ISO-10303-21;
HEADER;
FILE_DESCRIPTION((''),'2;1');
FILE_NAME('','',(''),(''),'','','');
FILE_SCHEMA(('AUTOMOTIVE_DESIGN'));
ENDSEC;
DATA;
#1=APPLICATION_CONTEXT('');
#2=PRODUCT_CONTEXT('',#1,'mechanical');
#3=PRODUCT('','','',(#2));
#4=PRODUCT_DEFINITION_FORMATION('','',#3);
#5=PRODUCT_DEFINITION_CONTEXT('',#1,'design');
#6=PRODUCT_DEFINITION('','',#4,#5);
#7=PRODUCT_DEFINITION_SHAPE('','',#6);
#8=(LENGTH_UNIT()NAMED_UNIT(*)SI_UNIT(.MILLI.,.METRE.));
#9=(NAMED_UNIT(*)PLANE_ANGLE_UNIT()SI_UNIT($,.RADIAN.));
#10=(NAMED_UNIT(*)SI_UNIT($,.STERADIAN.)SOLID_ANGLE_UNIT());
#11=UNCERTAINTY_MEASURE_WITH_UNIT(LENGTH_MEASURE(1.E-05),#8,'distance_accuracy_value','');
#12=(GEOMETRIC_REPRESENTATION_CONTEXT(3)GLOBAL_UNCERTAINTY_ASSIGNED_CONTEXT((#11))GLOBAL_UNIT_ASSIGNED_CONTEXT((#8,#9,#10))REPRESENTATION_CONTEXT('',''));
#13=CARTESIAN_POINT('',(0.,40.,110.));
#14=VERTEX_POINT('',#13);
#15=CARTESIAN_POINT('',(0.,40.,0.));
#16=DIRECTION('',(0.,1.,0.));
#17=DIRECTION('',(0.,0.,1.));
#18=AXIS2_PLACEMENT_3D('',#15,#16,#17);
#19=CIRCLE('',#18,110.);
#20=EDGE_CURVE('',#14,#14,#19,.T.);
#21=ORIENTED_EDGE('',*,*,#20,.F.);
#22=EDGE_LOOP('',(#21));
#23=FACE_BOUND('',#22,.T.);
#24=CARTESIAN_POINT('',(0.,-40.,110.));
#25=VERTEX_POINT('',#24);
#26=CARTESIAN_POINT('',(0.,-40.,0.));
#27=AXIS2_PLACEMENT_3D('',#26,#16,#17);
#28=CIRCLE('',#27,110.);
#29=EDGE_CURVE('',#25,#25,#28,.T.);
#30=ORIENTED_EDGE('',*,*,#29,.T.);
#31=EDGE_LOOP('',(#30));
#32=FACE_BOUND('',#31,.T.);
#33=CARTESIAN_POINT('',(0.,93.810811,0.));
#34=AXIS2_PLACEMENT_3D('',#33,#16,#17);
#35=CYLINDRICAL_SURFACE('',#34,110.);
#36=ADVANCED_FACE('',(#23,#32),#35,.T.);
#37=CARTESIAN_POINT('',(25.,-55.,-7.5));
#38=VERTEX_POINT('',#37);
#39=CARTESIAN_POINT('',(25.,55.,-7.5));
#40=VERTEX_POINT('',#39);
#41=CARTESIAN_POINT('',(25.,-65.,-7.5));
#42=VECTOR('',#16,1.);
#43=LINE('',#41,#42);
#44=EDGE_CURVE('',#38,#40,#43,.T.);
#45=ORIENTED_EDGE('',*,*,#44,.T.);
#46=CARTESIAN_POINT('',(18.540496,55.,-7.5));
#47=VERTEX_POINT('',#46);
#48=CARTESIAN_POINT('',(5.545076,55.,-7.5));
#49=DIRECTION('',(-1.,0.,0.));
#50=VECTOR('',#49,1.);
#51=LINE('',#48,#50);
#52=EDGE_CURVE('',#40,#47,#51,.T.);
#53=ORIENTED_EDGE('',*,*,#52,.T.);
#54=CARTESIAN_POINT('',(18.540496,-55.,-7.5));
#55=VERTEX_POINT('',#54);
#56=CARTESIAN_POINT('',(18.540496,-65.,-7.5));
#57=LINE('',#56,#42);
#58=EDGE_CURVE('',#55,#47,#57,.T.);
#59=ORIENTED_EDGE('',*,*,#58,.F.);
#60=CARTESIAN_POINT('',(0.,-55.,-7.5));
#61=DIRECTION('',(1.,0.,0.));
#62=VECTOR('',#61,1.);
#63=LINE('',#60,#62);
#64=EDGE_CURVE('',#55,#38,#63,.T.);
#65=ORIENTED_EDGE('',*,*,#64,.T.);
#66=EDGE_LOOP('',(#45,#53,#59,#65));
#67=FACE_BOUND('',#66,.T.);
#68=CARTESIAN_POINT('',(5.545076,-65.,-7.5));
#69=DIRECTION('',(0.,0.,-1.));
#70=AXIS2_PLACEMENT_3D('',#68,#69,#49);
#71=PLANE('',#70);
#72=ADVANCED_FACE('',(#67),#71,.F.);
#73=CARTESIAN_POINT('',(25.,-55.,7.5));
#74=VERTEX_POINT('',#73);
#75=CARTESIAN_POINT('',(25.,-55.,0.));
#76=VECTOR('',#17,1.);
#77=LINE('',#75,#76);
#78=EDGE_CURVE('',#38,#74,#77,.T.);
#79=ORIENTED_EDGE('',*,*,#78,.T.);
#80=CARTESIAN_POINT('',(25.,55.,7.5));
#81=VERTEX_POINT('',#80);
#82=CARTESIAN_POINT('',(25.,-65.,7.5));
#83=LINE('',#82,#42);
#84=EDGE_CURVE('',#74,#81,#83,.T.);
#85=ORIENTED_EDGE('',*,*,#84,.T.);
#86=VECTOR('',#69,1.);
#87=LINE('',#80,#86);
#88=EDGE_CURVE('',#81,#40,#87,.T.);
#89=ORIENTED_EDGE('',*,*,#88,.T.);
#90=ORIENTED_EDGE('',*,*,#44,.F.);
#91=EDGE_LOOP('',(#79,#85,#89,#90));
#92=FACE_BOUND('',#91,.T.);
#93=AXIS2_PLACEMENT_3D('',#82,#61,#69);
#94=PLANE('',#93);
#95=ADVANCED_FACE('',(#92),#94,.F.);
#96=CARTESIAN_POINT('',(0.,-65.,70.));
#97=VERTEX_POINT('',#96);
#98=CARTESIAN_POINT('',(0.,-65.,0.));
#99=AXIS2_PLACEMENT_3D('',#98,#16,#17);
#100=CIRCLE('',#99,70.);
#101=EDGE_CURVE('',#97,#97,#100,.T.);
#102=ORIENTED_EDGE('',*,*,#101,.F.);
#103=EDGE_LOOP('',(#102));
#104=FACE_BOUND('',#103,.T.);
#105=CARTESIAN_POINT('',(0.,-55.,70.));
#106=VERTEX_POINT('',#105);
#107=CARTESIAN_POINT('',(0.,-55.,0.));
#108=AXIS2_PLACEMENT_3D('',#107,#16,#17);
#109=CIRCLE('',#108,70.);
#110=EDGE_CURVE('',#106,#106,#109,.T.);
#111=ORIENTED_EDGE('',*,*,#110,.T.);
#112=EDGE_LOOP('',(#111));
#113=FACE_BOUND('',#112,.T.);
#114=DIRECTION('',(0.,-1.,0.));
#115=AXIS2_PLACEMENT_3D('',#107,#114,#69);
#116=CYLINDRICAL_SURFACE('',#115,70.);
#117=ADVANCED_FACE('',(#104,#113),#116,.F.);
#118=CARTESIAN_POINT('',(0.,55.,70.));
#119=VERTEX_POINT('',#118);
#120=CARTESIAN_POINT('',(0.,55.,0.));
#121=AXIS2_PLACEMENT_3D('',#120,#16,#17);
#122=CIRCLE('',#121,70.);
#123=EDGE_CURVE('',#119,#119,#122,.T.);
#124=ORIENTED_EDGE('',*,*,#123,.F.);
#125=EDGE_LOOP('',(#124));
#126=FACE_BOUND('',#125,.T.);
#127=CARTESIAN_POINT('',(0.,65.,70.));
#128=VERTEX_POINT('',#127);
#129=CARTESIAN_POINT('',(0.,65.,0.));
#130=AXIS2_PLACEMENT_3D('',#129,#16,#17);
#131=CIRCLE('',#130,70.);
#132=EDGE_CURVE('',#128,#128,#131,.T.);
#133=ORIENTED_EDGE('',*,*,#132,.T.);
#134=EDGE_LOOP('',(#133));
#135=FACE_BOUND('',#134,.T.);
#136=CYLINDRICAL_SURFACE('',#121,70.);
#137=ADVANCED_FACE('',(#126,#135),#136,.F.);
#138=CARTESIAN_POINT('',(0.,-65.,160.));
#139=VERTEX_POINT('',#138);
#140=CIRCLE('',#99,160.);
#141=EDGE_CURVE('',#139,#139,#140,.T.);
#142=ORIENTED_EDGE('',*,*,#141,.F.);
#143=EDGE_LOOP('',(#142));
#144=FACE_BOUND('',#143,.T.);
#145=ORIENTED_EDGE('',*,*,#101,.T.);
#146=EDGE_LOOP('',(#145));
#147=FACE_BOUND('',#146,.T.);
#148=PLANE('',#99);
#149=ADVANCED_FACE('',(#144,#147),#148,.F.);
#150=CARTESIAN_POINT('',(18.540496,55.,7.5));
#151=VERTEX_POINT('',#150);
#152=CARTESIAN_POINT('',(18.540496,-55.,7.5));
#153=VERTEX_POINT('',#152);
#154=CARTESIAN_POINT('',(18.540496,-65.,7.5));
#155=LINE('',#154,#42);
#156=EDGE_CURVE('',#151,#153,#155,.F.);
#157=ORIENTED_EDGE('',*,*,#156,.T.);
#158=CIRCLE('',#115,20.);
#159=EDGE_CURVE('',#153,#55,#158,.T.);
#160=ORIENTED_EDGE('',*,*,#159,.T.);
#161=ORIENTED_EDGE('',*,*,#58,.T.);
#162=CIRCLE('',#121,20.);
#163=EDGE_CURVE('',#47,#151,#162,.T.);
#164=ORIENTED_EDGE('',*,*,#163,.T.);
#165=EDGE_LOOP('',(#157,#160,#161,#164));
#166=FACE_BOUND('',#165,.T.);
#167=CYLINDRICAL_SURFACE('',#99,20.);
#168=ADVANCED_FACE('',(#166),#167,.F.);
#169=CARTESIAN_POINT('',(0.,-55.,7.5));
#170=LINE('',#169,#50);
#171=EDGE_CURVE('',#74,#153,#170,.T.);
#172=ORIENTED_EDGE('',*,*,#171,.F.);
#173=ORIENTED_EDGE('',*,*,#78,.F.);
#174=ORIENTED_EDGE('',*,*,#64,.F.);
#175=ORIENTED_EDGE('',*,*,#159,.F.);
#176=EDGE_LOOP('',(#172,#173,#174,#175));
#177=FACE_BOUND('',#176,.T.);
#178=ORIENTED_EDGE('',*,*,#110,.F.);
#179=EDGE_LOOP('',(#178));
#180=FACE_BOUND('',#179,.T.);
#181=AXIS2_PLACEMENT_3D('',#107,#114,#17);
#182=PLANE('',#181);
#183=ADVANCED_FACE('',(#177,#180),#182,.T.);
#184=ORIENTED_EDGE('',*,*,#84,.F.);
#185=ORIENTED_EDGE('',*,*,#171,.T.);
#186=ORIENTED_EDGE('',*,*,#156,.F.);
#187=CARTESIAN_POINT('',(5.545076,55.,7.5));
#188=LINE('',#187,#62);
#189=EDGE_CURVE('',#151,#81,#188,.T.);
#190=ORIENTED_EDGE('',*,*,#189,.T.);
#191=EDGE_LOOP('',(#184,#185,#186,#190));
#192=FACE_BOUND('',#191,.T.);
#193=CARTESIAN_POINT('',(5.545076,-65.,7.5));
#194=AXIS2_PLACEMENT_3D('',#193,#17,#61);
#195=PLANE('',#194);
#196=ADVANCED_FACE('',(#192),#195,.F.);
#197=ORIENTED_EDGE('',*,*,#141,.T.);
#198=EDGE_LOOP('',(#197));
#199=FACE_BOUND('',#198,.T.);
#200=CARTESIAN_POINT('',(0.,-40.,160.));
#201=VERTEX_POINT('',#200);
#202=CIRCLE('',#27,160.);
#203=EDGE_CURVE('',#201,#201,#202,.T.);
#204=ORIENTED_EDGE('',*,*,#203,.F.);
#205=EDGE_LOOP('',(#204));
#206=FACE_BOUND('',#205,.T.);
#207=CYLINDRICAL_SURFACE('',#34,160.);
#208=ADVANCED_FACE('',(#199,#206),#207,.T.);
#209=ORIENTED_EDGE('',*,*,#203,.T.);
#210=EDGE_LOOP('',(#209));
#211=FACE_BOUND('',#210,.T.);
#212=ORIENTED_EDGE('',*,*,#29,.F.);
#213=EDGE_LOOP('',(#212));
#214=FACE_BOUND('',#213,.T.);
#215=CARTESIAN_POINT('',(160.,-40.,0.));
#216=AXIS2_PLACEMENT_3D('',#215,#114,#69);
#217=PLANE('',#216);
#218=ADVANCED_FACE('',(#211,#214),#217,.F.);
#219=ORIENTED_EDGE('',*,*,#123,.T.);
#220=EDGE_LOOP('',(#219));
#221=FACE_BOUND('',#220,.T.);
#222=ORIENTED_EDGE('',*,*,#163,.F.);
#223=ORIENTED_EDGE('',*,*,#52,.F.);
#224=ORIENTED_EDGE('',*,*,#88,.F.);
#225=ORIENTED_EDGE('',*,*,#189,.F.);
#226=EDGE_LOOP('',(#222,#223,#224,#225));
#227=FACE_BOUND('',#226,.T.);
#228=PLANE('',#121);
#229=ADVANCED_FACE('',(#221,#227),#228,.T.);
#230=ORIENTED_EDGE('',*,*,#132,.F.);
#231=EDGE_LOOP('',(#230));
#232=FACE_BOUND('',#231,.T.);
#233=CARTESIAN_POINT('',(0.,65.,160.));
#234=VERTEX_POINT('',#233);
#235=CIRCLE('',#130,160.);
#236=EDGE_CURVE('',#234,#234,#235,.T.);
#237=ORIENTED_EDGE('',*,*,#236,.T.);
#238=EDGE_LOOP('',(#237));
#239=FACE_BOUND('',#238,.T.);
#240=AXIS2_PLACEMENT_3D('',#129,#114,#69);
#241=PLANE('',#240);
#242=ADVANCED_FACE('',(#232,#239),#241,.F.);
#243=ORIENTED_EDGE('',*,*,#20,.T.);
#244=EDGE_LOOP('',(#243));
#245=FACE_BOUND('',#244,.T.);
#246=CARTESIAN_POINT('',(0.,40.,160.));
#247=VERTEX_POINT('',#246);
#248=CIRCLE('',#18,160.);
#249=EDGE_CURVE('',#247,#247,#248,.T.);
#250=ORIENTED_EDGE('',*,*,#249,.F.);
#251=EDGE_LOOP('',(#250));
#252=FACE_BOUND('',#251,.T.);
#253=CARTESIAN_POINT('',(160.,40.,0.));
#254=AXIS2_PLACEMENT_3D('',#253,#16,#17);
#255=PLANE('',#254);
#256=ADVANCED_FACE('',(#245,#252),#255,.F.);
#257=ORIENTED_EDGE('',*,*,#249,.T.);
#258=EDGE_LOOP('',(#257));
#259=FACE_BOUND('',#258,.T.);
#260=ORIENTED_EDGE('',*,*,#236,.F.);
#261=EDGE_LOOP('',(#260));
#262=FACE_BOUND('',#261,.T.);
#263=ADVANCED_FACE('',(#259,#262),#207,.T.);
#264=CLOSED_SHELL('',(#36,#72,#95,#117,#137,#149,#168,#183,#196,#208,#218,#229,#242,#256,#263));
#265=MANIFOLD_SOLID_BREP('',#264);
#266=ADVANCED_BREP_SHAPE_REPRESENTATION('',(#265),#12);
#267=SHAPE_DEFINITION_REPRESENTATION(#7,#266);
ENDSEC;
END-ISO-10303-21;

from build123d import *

# Parameters (mm, degrees)
SKETCH2_R          = 70
CUT_EXTRUDE1_DEPTH = 10
SKETCH3_R          = 20
CUT_EXTRUDE2_DEPTH = 121
SKETCH4_W          = 19.454924149
SKETCH4_H          = 15
CUT_EXTRUDE3_DEPTH = 121


with BuildPart() as part:
    # Sketch1 → Revolve1 (revolve)
    with BuildSketch(Plane.XY):
        Polygon((0, 65), (160, 65), (160, 40), (110, 40), (110, -40), (160, -40), (160, -65), (0, -65), align=None)
    revolve(axis=Axis((0, 93.810810811, 0), (0, -1, 0)))

    # Sketch2 → Cut-Extrude1 (cut)
    with BuildSketch(Plane(origin=(0, 65, 0), x_dir=(1, 0, 0), z_dir=(0, 1, 0))):
        Circle(SKETCH2_R)
    cut_extrude1 = extrude(amount=-CUT_EXTRUDE1_DEPTH, mode=Mode.SUBTRACT)

    # Mirror1: Cut-Extrude1 across plane
    add(cut_extrude1.mirror(Plane.ZX), mode=Mode.SUBTRACT)

    # Sketch3 → Cut-Extrude2 (cut, through all)
    with BuildSketch(Plane(origin=(0, 55, 0), x_dir=(1, 0, 0), z_dir=(0, 1, 0))):
        Circle(SKETCH3_R)
    extrude(amount=-CUT_EXTRUDE2_DEPTH, mode=Mode.SUBTRACT)

    # Sketch4 → Cut-Extrude3 (cut, through all)
    with BuildSketch(Plane(origin=(0, 55, 0), x_dir=(1, 0, 0), z_dir=(0, 1, 0))):
        with Locations((15.272537926, 0)):
            Rectangle(SKETCH4_W, SKETCH4_H)
    extrude(amount=-CUT_EXTRUDE3_DEPTH, mode=Mode.SUBTRACT)


solid = part.part
